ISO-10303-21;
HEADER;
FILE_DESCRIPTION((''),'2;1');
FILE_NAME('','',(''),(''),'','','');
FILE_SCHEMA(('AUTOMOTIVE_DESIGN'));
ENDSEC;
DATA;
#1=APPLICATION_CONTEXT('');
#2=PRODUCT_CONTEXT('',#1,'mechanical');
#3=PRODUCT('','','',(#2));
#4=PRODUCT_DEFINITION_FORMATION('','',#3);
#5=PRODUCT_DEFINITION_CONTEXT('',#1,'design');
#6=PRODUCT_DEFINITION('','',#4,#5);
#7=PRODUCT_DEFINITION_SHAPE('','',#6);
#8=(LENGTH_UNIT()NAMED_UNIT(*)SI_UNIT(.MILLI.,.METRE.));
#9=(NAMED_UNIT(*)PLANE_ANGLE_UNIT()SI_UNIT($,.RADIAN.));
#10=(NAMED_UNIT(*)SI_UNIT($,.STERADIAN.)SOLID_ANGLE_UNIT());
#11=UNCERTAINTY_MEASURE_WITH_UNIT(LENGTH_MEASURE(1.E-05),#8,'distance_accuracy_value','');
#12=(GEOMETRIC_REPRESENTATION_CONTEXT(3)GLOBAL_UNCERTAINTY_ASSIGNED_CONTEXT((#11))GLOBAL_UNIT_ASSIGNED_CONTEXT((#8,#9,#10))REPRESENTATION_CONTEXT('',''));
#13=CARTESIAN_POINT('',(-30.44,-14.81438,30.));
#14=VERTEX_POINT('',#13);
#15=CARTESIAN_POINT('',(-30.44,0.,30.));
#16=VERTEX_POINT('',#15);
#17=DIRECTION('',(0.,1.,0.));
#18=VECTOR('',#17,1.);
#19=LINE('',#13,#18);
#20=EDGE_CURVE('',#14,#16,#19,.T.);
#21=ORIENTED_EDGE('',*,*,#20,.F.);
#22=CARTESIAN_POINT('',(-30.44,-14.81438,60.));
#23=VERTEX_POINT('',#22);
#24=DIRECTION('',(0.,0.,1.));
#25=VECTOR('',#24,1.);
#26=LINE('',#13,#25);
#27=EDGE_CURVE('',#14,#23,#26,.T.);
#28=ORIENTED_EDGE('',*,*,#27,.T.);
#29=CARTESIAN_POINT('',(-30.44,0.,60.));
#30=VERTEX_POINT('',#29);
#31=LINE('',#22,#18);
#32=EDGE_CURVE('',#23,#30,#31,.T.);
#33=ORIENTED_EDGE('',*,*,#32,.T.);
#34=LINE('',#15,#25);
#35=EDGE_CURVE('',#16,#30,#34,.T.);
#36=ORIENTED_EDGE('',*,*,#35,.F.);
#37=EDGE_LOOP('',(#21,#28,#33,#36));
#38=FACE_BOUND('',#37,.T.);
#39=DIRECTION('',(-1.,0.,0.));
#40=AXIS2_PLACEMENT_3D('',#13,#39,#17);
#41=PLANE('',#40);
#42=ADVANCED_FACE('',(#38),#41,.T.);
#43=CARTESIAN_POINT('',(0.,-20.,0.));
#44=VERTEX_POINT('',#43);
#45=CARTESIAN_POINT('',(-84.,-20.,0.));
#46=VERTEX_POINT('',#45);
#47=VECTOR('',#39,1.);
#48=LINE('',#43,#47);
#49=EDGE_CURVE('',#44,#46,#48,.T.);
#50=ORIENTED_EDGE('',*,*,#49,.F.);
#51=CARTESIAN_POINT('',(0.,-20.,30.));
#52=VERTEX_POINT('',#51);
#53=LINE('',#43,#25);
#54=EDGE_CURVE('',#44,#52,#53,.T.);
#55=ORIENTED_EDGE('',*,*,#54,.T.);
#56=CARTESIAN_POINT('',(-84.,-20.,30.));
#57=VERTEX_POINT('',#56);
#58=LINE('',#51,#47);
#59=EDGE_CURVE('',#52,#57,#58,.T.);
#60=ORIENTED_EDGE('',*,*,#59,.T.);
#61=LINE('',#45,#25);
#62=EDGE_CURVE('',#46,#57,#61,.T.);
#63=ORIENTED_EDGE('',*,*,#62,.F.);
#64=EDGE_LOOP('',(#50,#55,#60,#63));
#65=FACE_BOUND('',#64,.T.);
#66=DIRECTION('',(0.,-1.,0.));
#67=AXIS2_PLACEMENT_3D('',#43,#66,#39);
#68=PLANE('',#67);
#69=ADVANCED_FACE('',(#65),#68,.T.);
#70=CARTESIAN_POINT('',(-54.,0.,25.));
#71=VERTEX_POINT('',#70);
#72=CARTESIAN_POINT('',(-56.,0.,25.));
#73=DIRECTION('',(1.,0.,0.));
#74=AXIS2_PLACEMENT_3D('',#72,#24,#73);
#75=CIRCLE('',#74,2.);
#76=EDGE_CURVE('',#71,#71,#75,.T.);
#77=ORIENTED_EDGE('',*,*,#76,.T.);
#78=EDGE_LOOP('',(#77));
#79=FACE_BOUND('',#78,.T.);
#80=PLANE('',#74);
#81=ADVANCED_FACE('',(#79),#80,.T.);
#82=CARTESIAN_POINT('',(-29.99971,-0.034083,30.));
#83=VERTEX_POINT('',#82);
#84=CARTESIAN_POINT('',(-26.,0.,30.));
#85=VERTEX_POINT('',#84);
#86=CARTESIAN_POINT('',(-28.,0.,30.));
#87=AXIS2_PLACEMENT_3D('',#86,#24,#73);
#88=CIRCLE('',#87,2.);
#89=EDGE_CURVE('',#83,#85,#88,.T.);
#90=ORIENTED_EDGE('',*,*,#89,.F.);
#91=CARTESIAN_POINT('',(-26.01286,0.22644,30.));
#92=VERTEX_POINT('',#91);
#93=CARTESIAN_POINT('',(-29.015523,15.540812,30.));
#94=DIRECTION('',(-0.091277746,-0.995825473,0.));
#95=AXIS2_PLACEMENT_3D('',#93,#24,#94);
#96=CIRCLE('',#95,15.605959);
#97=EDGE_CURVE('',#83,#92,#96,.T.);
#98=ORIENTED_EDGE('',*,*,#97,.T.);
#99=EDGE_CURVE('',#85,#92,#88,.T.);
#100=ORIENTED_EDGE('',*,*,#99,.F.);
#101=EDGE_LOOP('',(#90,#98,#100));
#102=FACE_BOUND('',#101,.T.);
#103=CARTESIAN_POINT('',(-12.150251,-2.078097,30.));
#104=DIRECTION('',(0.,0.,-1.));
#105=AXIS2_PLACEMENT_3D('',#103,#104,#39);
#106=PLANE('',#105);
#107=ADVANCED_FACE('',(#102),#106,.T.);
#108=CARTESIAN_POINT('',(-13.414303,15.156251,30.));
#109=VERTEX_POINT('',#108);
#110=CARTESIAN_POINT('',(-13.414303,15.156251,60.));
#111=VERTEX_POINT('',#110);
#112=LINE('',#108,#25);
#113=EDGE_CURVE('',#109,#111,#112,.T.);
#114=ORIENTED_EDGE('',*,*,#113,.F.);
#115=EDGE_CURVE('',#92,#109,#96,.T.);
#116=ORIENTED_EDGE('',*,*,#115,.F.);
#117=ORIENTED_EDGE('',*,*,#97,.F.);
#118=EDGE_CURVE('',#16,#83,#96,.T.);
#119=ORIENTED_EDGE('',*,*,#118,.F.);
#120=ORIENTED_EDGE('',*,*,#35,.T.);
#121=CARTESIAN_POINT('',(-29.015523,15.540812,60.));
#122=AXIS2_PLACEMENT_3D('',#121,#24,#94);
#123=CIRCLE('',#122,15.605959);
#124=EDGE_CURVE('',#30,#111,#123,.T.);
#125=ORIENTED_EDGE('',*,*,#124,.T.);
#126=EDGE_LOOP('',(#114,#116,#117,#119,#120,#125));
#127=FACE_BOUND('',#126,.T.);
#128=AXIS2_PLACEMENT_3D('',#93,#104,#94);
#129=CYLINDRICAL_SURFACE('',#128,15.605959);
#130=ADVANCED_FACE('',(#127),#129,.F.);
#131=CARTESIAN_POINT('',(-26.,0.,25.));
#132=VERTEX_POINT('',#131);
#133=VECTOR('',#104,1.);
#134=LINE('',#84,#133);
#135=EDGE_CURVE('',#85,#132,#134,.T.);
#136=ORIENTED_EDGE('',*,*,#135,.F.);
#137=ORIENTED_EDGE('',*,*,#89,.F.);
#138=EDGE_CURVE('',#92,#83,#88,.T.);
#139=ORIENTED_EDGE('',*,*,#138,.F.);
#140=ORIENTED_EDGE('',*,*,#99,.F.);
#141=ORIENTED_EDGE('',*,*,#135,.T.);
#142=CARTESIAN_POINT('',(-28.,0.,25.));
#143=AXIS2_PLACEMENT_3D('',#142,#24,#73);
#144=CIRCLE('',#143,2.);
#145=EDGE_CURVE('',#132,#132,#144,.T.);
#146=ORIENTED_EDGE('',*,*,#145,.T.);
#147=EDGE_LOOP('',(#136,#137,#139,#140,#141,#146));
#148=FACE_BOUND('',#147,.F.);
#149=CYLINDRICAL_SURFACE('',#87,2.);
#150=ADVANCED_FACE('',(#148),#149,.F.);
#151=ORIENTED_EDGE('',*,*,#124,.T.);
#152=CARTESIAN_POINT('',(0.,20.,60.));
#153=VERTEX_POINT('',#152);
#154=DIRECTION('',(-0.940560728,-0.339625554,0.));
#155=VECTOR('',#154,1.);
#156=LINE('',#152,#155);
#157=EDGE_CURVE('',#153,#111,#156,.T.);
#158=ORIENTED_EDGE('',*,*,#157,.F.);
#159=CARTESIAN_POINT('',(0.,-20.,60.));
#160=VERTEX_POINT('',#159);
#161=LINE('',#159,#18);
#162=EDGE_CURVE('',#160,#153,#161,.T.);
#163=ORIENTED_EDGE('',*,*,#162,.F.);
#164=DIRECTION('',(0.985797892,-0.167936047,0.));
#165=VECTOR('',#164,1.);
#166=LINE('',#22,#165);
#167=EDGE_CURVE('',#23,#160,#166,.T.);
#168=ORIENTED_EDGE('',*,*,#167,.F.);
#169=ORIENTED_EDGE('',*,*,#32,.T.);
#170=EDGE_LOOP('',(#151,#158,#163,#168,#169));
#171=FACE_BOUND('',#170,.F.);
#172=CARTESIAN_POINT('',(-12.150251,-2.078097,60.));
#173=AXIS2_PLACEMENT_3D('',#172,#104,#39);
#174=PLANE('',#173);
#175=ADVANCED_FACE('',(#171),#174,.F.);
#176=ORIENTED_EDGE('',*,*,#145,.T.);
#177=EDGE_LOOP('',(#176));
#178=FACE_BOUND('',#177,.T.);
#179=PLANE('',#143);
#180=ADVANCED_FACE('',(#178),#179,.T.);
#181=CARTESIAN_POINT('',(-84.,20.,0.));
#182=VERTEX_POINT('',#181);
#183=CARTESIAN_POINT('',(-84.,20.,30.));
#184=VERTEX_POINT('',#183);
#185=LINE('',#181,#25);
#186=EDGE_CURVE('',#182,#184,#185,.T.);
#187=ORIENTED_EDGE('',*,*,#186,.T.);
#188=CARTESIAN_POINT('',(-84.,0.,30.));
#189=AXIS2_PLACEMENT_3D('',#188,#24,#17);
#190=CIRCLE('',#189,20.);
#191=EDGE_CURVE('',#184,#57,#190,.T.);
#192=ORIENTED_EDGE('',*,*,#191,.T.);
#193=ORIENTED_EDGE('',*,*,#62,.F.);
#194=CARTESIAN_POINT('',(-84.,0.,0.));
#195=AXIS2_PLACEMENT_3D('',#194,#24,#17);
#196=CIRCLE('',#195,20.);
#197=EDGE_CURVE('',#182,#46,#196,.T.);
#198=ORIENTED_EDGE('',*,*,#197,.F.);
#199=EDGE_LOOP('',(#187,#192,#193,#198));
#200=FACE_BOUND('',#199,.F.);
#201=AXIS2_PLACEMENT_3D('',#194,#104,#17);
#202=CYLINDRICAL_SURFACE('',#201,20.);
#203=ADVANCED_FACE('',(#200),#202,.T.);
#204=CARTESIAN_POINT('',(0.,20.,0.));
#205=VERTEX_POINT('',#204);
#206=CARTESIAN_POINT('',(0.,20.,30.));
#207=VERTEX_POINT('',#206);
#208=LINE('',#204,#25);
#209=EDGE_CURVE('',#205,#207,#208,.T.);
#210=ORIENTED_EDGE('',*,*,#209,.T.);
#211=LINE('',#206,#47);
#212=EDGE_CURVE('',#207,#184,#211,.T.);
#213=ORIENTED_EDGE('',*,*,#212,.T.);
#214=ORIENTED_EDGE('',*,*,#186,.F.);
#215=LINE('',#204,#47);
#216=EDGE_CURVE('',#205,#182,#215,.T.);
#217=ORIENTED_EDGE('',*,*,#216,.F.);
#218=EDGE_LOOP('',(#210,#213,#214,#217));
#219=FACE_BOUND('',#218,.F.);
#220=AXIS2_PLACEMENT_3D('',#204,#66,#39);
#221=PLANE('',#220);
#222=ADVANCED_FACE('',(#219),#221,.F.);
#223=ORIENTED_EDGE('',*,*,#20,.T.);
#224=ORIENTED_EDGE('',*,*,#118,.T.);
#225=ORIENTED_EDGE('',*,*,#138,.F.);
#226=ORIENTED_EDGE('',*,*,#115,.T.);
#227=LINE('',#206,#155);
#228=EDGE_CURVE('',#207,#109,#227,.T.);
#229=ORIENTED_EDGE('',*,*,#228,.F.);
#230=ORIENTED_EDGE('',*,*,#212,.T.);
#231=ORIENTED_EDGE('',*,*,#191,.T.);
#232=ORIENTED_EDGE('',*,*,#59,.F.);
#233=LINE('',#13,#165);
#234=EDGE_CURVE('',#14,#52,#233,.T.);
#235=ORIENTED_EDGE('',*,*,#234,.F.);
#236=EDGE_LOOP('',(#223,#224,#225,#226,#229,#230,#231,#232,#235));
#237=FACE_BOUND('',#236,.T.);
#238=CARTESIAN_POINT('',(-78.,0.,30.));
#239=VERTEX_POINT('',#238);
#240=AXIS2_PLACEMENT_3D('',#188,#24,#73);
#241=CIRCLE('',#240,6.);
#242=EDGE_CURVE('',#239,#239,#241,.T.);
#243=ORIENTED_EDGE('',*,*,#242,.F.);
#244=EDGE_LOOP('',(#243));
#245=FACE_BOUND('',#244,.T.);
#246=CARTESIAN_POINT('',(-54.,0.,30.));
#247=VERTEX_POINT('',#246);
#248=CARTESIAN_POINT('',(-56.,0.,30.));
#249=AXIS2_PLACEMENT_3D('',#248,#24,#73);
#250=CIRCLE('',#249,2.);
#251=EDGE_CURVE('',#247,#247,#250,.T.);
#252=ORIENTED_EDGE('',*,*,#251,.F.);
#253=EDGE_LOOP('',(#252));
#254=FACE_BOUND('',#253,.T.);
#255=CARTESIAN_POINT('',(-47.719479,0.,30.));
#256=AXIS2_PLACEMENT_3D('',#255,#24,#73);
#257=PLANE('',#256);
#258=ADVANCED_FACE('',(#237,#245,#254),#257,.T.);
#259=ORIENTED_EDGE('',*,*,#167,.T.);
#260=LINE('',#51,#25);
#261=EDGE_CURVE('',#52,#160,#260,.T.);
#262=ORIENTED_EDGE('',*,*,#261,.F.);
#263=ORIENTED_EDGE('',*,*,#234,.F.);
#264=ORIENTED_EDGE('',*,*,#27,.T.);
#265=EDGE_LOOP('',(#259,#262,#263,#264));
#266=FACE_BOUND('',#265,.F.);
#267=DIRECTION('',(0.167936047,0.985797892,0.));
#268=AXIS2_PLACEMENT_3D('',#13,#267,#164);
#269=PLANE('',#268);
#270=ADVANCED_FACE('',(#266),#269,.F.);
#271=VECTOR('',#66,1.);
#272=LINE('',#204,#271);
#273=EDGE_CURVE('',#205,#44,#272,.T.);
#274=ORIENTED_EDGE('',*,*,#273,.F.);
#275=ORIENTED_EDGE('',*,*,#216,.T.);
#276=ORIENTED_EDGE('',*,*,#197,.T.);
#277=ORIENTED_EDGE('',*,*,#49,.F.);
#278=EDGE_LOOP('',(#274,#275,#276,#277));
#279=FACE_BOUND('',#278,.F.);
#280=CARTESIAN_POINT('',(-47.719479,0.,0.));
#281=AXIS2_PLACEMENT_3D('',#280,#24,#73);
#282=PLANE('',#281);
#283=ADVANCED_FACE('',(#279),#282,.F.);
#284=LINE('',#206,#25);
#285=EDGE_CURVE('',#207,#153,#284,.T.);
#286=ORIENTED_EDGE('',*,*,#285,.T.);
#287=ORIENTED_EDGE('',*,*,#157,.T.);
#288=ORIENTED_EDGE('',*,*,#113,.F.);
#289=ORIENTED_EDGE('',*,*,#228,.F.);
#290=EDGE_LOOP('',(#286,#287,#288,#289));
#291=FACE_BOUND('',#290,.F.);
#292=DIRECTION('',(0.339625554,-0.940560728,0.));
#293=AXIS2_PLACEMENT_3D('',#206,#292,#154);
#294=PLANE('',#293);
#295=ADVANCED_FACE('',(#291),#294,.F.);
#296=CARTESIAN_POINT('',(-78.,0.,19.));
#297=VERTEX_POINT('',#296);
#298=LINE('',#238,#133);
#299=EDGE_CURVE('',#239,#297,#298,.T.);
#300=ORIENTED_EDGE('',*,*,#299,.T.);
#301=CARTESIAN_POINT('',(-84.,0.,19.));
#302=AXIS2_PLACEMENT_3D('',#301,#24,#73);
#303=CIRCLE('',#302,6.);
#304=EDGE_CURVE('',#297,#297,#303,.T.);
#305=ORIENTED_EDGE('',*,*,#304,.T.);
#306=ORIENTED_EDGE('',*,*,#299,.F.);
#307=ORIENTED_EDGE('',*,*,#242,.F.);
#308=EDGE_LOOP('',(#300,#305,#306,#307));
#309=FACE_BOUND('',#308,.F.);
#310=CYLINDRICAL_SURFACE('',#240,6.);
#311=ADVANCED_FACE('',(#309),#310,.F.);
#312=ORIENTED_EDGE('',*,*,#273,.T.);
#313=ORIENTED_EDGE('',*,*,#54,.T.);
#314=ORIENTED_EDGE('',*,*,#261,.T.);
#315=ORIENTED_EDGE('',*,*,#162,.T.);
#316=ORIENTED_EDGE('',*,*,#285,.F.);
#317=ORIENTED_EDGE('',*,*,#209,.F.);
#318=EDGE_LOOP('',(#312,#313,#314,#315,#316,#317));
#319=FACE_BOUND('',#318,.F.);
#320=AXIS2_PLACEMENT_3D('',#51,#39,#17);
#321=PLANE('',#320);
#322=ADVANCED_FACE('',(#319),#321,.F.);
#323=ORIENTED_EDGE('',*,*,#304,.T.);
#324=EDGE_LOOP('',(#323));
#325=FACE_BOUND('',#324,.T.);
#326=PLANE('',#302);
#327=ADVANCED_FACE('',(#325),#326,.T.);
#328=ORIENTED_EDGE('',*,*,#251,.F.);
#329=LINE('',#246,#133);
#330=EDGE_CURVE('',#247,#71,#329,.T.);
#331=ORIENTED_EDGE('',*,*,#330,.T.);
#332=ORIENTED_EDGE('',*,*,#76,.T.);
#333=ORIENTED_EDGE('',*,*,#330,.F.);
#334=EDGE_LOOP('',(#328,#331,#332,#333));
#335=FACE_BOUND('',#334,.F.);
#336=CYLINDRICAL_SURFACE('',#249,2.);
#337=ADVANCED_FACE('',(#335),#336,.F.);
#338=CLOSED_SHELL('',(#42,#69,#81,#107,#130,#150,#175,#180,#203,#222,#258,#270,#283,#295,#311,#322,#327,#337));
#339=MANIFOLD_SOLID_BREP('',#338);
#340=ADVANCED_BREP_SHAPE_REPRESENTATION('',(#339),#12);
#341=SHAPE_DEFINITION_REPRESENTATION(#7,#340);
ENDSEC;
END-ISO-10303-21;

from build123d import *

# Parameters (mm, degrees)
PAD_DEPTH           = 30
SKETCH001_R         = 6
POCKET_DEPTH        = 11
SKETCH002_R         = 2
POCKET001_DEPTH     = 5
LINEARPATTERN_COUNT = 2
LINEARPATTERN_PITCH = 28
PAD001_DEPTH        = 30


with BuildPart() as part:
    # Sketch → Pad (new body)
    with BuildSketch(Plane.XY):
        with BuildLine():
            Line((0, 20), (-84, 20))
            ThreePointArc((-84, 20), (-104, 0), (-84, -20))
            Line((0, -20), (-84, -20))
            Line((0, 20), (0, -20))
        make_face()
    extrude(amount=PAD_DEPTH)

    # Sketch001 (on Face6 of Pad) → Pocket (cut)
    with BuildSketch(Plane.XY.offset(30)):
        with Locations((-84, 0)):
            Circle(SKETCH001_R)
    extrude(amount=-POCKET_DEPTH, mode=Mode.SUBTRACT)

    # Sketch002 (on Face5 of Pocket) → Pocket001 (cut)
    with BuildSketch(Plane.XY.offset(30)):
        with Locations((-56, 0)):
            Circle(SKETCH002_R)
    pocket001 = extrude(amount=-POCKET001_DEPTH, mode=Mode.SUBTRACT)

    # LinearPattern: Pocket001 ×2
    with Locations(*[(i * LINEARPATTERN_PITCH, 0, 0) for i in range(1, LINEARPATTERN_COUNT)]):
        add(pocket001, mode=Mode.SUBTRACT)

    # Sketch003 (on Face5 of LinearPattern) → Pad001 (join)
    with BuildSketch(Plane.XY.offset(30)):
        with BuildLine():
            Line((-30.44, -14.81438), (-30.44, 0))
            ThreePointArc((-30.44, 0), (-18.638963, 3.884356), (-13.414303, 15.156251))
            Line((0, 20), (-13.414303, 15.156251))
            Line((0, -20), (0, 20))
            Line((-30.44, -14.81438), (0, -20))
        make_face()
    extrude(amount=PAD001_DEPTH)


solid = part.part
